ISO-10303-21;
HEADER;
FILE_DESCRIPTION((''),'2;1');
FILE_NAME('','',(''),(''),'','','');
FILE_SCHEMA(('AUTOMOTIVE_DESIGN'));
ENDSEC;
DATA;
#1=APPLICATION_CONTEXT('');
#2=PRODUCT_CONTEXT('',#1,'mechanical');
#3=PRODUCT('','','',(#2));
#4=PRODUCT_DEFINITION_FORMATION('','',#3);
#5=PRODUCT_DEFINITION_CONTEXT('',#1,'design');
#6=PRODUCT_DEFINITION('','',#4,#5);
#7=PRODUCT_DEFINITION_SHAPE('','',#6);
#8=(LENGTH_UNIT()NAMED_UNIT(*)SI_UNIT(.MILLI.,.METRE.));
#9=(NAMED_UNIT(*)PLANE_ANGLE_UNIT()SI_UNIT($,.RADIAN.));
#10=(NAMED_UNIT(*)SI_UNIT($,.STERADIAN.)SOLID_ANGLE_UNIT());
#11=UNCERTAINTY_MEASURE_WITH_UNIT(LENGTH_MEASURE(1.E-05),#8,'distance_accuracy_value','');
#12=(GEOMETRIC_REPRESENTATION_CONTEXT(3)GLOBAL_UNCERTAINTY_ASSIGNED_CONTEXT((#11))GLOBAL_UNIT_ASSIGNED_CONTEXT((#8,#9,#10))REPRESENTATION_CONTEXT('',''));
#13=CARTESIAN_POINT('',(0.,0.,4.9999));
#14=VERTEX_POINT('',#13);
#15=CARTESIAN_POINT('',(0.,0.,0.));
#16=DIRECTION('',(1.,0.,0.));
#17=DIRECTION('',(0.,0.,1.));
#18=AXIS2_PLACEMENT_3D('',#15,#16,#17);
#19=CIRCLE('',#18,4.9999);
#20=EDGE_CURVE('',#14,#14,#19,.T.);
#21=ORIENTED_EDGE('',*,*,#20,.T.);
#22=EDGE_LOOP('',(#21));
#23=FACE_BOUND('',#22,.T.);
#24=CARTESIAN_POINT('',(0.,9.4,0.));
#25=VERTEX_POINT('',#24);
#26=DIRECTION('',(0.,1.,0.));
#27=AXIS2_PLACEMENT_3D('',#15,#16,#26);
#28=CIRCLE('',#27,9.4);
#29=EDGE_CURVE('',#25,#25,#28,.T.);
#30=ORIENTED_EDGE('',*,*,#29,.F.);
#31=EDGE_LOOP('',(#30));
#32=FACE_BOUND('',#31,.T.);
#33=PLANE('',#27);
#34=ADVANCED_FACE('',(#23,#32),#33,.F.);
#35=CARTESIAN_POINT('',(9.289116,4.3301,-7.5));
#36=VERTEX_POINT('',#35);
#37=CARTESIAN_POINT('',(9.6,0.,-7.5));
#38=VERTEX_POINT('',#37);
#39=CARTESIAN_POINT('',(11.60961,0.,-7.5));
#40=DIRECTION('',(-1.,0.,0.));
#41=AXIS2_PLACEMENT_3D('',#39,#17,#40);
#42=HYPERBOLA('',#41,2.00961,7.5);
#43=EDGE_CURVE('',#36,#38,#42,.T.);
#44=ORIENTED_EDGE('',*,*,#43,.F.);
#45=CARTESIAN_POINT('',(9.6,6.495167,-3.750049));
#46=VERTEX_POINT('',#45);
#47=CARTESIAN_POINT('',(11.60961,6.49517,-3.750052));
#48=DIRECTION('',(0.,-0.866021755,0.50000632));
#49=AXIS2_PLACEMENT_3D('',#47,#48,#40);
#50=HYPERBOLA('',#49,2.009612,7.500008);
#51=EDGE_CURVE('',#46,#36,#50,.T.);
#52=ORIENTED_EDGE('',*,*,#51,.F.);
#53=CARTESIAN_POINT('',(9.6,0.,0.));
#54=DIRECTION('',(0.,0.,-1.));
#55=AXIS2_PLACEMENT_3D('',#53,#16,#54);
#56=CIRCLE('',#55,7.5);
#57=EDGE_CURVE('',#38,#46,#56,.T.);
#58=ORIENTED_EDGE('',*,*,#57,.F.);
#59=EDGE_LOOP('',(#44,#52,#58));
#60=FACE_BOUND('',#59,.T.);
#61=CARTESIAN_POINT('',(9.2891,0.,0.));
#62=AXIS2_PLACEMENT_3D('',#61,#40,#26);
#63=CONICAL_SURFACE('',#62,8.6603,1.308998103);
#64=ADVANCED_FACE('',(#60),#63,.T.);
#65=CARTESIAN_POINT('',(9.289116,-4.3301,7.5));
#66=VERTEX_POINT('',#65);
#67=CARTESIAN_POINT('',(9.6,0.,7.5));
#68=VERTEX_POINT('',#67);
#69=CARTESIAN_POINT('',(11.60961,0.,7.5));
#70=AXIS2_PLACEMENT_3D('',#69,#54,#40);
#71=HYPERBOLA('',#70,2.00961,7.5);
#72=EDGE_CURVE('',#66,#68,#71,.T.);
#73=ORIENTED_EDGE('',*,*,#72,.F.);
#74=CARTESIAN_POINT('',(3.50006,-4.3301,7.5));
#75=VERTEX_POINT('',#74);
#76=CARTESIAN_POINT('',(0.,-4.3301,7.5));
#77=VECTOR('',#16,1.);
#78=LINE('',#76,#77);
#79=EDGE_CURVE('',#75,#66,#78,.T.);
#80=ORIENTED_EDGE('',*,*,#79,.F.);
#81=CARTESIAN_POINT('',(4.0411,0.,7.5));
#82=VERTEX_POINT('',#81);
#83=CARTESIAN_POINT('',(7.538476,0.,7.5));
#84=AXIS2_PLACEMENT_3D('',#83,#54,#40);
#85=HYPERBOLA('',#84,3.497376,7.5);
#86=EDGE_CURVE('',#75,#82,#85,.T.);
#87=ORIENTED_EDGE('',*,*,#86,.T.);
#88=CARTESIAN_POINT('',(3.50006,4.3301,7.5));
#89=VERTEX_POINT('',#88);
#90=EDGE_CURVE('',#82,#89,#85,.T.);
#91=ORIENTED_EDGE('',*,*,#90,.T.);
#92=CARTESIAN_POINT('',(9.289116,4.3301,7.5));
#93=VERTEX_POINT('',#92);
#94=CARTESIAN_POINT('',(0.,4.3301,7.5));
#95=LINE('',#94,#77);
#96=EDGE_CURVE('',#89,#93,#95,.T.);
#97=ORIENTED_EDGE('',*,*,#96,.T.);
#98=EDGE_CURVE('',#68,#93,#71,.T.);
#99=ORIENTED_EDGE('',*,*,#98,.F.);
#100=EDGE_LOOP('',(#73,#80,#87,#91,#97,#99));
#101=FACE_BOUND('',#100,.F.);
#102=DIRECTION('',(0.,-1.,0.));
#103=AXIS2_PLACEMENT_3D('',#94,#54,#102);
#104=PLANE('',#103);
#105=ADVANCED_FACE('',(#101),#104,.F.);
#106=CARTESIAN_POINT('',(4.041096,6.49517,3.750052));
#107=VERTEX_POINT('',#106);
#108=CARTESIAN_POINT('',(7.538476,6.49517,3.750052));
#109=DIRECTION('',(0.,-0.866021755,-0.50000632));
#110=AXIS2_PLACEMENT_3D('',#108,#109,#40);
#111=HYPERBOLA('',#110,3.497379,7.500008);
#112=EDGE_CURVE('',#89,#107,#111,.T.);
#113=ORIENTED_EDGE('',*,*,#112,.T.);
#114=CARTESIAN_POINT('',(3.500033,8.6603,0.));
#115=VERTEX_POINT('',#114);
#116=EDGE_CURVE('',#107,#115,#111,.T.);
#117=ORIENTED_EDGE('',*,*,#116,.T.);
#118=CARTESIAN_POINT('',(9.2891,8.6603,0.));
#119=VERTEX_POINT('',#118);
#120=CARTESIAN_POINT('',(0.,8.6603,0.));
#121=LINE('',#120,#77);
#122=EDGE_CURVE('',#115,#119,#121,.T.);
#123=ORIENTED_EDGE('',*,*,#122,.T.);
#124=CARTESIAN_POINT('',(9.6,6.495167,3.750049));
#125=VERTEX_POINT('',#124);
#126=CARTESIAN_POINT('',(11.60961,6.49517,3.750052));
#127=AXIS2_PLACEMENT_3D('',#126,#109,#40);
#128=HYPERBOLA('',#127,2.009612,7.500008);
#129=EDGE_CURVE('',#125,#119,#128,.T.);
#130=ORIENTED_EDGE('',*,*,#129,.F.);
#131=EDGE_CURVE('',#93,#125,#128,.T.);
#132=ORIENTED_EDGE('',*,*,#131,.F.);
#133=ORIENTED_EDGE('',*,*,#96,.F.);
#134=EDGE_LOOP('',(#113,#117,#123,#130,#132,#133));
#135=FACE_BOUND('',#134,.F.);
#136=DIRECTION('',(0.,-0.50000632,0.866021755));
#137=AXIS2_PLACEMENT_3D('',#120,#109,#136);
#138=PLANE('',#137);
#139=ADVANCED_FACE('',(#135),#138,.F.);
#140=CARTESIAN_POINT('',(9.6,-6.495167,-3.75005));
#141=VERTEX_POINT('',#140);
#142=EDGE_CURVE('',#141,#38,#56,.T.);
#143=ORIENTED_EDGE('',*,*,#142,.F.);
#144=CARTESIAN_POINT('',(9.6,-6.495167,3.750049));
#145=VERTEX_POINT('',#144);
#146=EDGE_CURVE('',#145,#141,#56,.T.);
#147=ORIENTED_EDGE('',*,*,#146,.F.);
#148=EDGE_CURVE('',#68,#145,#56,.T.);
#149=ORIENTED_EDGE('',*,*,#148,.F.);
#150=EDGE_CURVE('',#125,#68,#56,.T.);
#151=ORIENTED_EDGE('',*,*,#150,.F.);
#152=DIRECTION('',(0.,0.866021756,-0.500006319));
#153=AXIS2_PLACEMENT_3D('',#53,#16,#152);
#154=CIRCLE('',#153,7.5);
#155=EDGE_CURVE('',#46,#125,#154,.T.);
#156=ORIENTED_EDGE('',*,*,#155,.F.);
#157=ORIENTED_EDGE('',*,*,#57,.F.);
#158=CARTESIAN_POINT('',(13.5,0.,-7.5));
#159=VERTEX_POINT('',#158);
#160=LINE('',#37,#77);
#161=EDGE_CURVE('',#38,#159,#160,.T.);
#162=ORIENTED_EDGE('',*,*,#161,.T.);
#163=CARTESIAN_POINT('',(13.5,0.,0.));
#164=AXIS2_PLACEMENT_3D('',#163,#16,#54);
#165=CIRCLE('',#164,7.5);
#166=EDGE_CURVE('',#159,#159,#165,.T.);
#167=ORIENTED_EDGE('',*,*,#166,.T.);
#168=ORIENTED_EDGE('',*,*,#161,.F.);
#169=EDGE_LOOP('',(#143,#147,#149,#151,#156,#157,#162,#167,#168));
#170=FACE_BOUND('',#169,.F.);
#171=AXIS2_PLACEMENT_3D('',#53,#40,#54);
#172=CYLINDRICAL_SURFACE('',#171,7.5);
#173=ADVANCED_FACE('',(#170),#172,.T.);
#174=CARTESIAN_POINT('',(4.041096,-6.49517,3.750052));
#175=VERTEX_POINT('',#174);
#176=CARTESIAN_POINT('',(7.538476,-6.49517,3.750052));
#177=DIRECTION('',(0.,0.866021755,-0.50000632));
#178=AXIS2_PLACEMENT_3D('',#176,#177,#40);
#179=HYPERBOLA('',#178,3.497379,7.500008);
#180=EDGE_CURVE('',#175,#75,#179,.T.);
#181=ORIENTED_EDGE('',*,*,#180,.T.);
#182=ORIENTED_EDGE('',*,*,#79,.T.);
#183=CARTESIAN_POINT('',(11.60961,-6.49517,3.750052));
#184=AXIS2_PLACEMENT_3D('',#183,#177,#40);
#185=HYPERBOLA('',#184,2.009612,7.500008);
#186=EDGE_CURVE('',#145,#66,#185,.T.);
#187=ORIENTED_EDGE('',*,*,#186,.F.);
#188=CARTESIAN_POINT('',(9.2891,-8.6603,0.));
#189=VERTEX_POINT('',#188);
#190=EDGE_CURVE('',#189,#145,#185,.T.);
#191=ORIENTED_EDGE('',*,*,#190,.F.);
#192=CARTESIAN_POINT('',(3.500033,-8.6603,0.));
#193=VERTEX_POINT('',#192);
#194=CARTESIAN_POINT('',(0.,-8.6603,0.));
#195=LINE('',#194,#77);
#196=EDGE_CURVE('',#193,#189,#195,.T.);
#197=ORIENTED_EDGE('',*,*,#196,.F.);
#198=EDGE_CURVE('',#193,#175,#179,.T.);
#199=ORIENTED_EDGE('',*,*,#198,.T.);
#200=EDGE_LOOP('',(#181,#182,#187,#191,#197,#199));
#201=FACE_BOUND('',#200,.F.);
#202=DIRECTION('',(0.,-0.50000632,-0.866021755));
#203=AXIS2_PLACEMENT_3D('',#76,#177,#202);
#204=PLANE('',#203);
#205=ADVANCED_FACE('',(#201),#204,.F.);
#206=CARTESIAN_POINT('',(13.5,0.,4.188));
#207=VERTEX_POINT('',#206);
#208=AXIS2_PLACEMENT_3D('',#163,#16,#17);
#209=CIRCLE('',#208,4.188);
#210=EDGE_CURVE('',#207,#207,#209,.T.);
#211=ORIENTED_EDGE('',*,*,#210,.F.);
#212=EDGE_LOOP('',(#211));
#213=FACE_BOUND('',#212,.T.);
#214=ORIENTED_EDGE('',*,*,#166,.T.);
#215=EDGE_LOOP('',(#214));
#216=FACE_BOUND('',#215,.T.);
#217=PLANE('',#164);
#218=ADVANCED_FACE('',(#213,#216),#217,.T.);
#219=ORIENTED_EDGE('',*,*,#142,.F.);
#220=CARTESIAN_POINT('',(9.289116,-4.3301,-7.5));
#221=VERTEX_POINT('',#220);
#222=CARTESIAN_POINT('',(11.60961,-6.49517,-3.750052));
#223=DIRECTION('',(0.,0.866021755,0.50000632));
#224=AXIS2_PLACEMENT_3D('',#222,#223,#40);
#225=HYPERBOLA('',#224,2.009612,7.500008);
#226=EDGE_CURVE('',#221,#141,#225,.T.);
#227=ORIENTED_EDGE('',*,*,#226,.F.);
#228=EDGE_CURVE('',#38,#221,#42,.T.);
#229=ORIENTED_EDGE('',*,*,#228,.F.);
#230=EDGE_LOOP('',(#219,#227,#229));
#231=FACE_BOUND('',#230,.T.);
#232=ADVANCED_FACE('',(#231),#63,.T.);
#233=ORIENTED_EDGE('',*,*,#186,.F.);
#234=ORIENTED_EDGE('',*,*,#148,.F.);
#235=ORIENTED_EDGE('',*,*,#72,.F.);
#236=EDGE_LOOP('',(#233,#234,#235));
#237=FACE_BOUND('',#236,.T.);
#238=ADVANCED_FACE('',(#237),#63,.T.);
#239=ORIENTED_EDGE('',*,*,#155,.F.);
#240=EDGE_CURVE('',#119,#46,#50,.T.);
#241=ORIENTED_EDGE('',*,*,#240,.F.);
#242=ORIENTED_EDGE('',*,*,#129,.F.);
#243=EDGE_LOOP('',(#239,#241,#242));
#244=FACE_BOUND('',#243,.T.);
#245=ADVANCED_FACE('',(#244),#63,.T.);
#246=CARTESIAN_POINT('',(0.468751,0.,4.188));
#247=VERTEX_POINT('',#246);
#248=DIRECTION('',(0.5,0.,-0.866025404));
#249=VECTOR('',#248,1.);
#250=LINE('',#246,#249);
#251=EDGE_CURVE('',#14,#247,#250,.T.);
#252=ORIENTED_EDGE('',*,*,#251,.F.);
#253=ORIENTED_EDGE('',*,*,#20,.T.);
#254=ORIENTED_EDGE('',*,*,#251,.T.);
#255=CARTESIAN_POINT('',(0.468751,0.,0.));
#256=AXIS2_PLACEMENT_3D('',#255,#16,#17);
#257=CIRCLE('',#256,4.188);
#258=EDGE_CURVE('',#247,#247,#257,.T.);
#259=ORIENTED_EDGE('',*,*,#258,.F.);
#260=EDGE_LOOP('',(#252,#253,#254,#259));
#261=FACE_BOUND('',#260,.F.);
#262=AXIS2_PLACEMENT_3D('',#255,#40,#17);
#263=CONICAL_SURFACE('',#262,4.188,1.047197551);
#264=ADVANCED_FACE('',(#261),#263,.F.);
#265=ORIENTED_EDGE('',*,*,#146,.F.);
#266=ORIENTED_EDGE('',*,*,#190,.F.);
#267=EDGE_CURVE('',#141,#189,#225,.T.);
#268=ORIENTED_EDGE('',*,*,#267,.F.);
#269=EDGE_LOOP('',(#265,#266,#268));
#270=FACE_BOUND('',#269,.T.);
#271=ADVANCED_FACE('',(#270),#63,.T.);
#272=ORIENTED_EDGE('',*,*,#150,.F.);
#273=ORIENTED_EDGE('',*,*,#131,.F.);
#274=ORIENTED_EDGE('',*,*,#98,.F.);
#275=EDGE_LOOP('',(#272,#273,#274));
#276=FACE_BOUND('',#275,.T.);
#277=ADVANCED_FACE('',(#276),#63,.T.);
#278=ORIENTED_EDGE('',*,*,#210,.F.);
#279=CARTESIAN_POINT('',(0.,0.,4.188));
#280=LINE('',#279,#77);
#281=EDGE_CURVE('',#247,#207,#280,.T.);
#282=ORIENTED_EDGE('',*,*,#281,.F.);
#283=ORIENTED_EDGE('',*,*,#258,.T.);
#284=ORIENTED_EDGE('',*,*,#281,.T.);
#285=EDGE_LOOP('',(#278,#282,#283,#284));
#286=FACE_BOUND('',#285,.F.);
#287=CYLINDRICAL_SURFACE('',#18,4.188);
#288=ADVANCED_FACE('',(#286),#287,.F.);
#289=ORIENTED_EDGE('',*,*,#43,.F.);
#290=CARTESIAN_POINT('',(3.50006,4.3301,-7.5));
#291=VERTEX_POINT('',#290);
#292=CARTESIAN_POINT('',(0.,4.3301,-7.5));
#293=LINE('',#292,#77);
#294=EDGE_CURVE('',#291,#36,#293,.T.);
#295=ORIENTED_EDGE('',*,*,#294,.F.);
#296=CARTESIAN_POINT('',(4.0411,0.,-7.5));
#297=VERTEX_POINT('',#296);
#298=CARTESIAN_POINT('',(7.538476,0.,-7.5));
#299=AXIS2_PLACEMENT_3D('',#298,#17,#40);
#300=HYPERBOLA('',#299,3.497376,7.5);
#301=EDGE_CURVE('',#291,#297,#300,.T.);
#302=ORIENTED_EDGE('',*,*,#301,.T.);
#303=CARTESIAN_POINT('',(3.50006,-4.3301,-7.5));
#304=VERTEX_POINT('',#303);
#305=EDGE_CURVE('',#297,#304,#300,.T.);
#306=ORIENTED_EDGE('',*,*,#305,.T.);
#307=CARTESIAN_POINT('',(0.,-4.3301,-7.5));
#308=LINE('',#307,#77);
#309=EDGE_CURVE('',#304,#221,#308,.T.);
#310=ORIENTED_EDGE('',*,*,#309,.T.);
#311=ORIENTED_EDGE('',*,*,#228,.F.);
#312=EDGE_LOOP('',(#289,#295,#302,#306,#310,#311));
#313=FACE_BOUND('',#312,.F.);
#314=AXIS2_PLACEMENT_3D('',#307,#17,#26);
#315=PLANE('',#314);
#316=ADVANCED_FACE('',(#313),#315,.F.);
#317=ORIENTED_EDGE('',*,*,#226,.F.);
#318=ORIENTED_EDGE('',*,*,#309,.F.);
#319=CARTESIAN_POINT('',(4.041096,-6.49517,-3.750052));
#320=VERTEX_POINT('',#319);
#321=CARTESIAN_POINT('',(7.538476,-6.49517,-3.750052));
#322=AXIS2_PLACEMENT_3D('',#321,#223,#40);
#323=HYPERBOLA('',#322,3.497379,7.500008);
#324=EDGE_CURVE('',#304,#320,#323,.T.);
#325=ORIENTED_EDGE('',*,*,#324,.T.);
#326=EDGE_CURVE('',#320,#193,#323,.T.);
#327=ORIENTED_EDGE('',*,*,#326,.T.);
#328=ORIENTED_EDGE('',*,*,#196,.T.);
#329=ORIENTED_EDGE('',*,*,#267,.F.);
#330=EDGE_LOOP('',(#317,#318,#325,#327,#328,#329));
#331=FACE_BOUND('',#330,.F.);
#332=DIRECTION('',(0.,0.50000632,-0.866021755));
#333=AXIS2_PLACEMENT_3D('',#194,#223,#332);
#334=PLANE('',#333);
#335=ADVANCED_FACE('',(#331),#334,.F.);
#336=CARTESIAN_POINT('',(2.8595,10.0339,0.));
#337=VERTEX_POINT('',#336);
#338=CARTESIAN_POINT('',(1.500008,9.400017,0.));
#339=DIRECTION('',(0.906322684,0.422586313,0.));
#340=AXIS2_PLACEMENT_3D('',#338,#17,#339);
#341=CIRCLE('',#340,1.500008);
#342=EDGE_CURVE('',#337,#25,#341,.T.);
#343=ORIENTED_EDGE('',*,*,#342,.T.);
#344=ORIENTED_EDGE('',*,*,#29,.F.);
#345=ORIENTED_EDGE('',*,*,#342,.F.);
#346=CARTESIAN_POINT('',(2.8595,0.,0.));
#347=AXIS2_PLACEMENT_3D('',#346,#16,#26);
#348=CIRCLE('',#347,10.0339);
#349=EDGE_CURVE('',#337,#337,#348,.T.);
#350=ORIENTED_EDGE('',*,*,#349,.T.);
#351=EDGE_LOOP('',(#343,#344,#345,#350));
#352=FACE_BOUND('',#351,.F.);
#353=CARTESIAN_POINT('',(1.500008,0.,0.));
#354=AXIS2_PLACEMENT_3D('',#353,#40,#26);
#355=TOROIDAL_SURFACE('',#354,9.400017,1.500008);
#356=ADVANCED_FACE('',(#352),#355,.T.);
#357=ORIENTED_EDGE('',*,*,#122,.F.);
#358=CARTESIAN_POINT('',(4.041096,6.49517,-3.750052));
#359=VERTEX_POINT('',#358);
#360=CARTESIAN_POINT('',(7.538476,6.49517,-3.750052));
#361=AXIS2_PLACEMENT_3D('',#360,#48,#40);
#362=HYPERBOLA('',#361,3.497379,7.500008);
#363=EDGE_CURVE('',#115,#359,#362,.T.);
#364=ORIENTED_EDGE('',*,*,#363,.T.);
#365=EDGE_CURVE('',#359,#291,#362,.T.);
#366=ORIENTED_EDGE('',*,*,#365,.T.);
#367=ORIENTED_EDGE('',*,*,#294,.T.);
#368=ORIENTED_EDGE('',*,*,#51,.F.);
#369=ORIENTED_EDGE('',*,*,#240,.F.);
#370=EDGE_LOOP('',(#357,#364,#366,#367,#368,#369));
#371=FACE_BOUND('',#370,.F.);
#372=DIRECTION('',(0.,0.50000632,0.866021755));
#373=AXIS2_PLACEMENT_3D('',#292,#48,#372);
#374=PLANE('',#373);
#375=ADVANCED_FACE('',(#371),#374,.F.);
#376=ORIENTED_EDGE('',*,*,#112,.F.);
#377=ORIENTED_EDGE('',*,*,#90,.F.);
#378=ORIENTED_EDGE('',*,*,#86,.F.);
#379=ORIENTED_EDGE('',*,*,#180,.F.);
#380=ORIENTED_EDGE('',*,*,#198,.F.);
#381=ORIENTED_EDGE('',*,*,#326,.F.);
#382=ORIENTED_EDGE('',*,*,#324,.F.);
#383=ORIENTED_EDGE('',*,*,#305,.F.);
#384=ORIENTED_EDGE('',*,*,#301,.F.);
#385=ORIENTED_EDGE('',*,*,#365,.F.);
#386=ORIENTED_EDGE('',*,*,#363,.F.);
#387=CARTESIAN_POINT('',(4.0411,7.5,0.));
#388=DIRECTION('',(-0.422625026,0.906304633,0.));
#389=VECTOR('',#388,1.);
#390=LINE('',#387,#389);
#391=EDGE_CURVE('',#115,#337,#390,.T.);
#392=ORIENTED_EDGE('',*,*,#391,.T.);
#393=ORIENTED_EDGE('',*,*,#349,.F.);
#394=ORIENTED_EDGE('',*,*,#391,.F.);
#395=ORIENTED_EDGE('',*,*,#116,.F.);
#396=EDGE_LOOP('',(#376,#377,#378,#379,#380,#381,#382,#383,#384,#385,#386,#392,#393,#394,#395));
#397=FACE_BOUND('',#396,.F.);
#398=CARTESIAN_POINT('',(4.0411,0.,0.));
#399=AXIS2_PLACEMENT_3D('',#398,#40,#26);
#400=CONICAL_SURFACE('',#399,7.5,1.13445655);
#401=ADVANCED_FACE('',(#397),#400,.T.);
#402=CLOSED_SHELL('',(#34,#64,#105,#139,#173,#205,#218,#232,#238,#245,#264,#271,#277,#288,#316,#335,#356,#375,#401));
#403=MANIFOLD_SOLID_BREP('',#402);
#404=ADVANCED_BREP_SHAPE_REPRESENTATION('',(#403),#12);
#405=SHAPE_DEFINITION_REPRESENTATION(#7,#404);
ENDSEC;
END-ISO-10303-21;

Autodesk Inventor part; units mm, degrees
ref_plane "YZ Plane" through (0, 0, 0) normal (1, 0, 0) x (0, 1, 0)
ref_plane "XZ Plane" through (0, 0, 0) normal (0, 1, 0) x (-1, 0, 0)
sketch "Szkic1" plane through (0, 0, 0) normal (0, 0, 1) x (1, 0, 0)
  line L0 (-3.0053, 0) -> (16.2509, 0) projected
  line L1 (4.0411, 7.5) -> (2.8595, 10.0339)
  line L2 (4.0411, 7.5) -> (13.5, 7.5) construction
  line L3 (13.5, 7.5) -> (13.5, 0) construction
  arc A0 (2.8595, 10.0339) -> (0, 9.4) centre (1.5, 9.4) ccw
  line L4 (4.0411, 7.5) -> (4.0411, 0)
  line L5 (0, -2.2363) -> (0, 13.4177) projected
  point P0 (0, 0)
  dimension "d1" = 15
  dimension "d3" = 21.8
  dimension "d4" = 1.5
  dimension "d16" = 13.5
  dimension "d17" = 25
revolve "Pierścień" add sketch "Szkic1" angle 360 about axis through (-10, 0, 0) along (1, 0, 0)
sketch "Szkic2" plane through (0, 0, 0) normal (-1, 0, 0) x (0, 0, 1)
  circle A0 centre (0, 0) radius 4.9
  line L0 (-7.5, -4.3301) -> (-7.5, 4.3301)
  line L1 (-7.5, 4.3301) -> (0, 8.6603)
  line L2 (0, 8.6603) -> (7.5, 4.3301)
  line L3 (7.5, 4.3301) -> (7.5, -4.3301)
  line L4 (7.5, -4.3301) -> (0, -8.6603)
  line L5 (0, -8.6603) -> (-7.5, -4.3301)
  circle A1 centre (0, 0) radius 9.4 projected
  dimension "d5" = 17.3205
extrude "Bryła" add sketch "Szkic2" against normal blind 9.6 contours A0 | L0 L1 L2 L3 L4 L5
sketch "Szkic3" plane through (9.6, 0, 0) normal (1, 0, 0) x (0, 0, -1)
  circle A0 centre (0, 0) radius 7.5
  dimension "d19" = 15
extrude "Zamek" add sketch "Szkic3" along normal blind 3.9
sketch "Szkic4" plane through (0, 0, 0) normal (-1, 0, 0) x (0, 0, 1)
  circle A0 centre (0, 0) radius 4.9
  circle A1 centre (0, 0) radius 9.4 projected
hole "Gwint" at (0, 0, 0) direction (1, 0, 0) diameter 8.376 end through all thread size "M10x1.5" class "6H" standard "ISO Metric profile"
sketch "Szkic5" plane through (0, 0, 0) normal (0, 0, 1) x (1, 0, 0)
  line L0 (3.5, 8.6603) -> (9.6, 8.6603) projected
  line L1 (9.6, 4.3301) -> (9.6, 8.6603) projected
  line L2 (0, -9.4) -> (0, 9.4) projected
  line L3 (-1.92, 0) -> (11.52, 0) projected
  line L4 (9.2891, 8.6603) -> (9.6, 7.5)
  dimension "d9" = 15
  dimension "d10" = 15
revolve "Faza1" cut sketch "Szkic5" angle 360 about axis through (-10, 0, 0) along (1, 0, 0)
chamfer "Faza2" distance 0.8119 angle 30 1 edges at (0, 0, -4.188) measured on face at (0, 7.5614, -0.9181)
ref_plane "Work Plane1" through (33.6561, 0, 0) normal (0, 0, -1) x (-1, 0, 0)
equation "\"d1\" = SW"
equation "\"d3\" = LADI"
equation "\"d4\" = PHH"
equation "\"d16\" = KOH"
equation "\"d17\" = KEWI"
equation "\"d5\" = 1.1547 * SW"
equation "\"d6\" = KOH1"
equation "\"d19\" = SD2"
equation "\"d11\" = KOH - KOH1"
equation "\"d9\" = ANG1"
equation "\"d10\" = SW0"
equation "\"d13\" = -0.5 * GD1 + 0.5 * NND"
equation "\"d57\" = -0.5 * GD1 + 0.5 * NND"
equation "\"ANG1\" = 15deg"
equation "\"KEWI\" = 25deg"
equation "\"LADI\" = 21.8"
equation "\"SW\" = 15"
equation "\"PHH\" = RR"
equation "\"KOH\" = 13.5"
equation "\"SW0\" = SW"
equation "\"d0\" = LADI"
equation "\"d2\" = PHH"
equation "\"KOH1\" = 9.6"
equation "\"SD2\" = SW"
equation "\"GUL\" = 0.541266 * PTC"
equation "\"RR\" = 1.5"
equation "\"TOA\" = 30deg"
equation "\"PTC\" = 1.5"
equation "\"GAL\" = 0.541266 * PTC"
equation "\"E0\" = 1.155 * SW"
equation "\"GD1\" = 8.376202"
equation "\"NND\" = 10"
properties part number "DIN 6926 - M10" material "Stal, miękka"
